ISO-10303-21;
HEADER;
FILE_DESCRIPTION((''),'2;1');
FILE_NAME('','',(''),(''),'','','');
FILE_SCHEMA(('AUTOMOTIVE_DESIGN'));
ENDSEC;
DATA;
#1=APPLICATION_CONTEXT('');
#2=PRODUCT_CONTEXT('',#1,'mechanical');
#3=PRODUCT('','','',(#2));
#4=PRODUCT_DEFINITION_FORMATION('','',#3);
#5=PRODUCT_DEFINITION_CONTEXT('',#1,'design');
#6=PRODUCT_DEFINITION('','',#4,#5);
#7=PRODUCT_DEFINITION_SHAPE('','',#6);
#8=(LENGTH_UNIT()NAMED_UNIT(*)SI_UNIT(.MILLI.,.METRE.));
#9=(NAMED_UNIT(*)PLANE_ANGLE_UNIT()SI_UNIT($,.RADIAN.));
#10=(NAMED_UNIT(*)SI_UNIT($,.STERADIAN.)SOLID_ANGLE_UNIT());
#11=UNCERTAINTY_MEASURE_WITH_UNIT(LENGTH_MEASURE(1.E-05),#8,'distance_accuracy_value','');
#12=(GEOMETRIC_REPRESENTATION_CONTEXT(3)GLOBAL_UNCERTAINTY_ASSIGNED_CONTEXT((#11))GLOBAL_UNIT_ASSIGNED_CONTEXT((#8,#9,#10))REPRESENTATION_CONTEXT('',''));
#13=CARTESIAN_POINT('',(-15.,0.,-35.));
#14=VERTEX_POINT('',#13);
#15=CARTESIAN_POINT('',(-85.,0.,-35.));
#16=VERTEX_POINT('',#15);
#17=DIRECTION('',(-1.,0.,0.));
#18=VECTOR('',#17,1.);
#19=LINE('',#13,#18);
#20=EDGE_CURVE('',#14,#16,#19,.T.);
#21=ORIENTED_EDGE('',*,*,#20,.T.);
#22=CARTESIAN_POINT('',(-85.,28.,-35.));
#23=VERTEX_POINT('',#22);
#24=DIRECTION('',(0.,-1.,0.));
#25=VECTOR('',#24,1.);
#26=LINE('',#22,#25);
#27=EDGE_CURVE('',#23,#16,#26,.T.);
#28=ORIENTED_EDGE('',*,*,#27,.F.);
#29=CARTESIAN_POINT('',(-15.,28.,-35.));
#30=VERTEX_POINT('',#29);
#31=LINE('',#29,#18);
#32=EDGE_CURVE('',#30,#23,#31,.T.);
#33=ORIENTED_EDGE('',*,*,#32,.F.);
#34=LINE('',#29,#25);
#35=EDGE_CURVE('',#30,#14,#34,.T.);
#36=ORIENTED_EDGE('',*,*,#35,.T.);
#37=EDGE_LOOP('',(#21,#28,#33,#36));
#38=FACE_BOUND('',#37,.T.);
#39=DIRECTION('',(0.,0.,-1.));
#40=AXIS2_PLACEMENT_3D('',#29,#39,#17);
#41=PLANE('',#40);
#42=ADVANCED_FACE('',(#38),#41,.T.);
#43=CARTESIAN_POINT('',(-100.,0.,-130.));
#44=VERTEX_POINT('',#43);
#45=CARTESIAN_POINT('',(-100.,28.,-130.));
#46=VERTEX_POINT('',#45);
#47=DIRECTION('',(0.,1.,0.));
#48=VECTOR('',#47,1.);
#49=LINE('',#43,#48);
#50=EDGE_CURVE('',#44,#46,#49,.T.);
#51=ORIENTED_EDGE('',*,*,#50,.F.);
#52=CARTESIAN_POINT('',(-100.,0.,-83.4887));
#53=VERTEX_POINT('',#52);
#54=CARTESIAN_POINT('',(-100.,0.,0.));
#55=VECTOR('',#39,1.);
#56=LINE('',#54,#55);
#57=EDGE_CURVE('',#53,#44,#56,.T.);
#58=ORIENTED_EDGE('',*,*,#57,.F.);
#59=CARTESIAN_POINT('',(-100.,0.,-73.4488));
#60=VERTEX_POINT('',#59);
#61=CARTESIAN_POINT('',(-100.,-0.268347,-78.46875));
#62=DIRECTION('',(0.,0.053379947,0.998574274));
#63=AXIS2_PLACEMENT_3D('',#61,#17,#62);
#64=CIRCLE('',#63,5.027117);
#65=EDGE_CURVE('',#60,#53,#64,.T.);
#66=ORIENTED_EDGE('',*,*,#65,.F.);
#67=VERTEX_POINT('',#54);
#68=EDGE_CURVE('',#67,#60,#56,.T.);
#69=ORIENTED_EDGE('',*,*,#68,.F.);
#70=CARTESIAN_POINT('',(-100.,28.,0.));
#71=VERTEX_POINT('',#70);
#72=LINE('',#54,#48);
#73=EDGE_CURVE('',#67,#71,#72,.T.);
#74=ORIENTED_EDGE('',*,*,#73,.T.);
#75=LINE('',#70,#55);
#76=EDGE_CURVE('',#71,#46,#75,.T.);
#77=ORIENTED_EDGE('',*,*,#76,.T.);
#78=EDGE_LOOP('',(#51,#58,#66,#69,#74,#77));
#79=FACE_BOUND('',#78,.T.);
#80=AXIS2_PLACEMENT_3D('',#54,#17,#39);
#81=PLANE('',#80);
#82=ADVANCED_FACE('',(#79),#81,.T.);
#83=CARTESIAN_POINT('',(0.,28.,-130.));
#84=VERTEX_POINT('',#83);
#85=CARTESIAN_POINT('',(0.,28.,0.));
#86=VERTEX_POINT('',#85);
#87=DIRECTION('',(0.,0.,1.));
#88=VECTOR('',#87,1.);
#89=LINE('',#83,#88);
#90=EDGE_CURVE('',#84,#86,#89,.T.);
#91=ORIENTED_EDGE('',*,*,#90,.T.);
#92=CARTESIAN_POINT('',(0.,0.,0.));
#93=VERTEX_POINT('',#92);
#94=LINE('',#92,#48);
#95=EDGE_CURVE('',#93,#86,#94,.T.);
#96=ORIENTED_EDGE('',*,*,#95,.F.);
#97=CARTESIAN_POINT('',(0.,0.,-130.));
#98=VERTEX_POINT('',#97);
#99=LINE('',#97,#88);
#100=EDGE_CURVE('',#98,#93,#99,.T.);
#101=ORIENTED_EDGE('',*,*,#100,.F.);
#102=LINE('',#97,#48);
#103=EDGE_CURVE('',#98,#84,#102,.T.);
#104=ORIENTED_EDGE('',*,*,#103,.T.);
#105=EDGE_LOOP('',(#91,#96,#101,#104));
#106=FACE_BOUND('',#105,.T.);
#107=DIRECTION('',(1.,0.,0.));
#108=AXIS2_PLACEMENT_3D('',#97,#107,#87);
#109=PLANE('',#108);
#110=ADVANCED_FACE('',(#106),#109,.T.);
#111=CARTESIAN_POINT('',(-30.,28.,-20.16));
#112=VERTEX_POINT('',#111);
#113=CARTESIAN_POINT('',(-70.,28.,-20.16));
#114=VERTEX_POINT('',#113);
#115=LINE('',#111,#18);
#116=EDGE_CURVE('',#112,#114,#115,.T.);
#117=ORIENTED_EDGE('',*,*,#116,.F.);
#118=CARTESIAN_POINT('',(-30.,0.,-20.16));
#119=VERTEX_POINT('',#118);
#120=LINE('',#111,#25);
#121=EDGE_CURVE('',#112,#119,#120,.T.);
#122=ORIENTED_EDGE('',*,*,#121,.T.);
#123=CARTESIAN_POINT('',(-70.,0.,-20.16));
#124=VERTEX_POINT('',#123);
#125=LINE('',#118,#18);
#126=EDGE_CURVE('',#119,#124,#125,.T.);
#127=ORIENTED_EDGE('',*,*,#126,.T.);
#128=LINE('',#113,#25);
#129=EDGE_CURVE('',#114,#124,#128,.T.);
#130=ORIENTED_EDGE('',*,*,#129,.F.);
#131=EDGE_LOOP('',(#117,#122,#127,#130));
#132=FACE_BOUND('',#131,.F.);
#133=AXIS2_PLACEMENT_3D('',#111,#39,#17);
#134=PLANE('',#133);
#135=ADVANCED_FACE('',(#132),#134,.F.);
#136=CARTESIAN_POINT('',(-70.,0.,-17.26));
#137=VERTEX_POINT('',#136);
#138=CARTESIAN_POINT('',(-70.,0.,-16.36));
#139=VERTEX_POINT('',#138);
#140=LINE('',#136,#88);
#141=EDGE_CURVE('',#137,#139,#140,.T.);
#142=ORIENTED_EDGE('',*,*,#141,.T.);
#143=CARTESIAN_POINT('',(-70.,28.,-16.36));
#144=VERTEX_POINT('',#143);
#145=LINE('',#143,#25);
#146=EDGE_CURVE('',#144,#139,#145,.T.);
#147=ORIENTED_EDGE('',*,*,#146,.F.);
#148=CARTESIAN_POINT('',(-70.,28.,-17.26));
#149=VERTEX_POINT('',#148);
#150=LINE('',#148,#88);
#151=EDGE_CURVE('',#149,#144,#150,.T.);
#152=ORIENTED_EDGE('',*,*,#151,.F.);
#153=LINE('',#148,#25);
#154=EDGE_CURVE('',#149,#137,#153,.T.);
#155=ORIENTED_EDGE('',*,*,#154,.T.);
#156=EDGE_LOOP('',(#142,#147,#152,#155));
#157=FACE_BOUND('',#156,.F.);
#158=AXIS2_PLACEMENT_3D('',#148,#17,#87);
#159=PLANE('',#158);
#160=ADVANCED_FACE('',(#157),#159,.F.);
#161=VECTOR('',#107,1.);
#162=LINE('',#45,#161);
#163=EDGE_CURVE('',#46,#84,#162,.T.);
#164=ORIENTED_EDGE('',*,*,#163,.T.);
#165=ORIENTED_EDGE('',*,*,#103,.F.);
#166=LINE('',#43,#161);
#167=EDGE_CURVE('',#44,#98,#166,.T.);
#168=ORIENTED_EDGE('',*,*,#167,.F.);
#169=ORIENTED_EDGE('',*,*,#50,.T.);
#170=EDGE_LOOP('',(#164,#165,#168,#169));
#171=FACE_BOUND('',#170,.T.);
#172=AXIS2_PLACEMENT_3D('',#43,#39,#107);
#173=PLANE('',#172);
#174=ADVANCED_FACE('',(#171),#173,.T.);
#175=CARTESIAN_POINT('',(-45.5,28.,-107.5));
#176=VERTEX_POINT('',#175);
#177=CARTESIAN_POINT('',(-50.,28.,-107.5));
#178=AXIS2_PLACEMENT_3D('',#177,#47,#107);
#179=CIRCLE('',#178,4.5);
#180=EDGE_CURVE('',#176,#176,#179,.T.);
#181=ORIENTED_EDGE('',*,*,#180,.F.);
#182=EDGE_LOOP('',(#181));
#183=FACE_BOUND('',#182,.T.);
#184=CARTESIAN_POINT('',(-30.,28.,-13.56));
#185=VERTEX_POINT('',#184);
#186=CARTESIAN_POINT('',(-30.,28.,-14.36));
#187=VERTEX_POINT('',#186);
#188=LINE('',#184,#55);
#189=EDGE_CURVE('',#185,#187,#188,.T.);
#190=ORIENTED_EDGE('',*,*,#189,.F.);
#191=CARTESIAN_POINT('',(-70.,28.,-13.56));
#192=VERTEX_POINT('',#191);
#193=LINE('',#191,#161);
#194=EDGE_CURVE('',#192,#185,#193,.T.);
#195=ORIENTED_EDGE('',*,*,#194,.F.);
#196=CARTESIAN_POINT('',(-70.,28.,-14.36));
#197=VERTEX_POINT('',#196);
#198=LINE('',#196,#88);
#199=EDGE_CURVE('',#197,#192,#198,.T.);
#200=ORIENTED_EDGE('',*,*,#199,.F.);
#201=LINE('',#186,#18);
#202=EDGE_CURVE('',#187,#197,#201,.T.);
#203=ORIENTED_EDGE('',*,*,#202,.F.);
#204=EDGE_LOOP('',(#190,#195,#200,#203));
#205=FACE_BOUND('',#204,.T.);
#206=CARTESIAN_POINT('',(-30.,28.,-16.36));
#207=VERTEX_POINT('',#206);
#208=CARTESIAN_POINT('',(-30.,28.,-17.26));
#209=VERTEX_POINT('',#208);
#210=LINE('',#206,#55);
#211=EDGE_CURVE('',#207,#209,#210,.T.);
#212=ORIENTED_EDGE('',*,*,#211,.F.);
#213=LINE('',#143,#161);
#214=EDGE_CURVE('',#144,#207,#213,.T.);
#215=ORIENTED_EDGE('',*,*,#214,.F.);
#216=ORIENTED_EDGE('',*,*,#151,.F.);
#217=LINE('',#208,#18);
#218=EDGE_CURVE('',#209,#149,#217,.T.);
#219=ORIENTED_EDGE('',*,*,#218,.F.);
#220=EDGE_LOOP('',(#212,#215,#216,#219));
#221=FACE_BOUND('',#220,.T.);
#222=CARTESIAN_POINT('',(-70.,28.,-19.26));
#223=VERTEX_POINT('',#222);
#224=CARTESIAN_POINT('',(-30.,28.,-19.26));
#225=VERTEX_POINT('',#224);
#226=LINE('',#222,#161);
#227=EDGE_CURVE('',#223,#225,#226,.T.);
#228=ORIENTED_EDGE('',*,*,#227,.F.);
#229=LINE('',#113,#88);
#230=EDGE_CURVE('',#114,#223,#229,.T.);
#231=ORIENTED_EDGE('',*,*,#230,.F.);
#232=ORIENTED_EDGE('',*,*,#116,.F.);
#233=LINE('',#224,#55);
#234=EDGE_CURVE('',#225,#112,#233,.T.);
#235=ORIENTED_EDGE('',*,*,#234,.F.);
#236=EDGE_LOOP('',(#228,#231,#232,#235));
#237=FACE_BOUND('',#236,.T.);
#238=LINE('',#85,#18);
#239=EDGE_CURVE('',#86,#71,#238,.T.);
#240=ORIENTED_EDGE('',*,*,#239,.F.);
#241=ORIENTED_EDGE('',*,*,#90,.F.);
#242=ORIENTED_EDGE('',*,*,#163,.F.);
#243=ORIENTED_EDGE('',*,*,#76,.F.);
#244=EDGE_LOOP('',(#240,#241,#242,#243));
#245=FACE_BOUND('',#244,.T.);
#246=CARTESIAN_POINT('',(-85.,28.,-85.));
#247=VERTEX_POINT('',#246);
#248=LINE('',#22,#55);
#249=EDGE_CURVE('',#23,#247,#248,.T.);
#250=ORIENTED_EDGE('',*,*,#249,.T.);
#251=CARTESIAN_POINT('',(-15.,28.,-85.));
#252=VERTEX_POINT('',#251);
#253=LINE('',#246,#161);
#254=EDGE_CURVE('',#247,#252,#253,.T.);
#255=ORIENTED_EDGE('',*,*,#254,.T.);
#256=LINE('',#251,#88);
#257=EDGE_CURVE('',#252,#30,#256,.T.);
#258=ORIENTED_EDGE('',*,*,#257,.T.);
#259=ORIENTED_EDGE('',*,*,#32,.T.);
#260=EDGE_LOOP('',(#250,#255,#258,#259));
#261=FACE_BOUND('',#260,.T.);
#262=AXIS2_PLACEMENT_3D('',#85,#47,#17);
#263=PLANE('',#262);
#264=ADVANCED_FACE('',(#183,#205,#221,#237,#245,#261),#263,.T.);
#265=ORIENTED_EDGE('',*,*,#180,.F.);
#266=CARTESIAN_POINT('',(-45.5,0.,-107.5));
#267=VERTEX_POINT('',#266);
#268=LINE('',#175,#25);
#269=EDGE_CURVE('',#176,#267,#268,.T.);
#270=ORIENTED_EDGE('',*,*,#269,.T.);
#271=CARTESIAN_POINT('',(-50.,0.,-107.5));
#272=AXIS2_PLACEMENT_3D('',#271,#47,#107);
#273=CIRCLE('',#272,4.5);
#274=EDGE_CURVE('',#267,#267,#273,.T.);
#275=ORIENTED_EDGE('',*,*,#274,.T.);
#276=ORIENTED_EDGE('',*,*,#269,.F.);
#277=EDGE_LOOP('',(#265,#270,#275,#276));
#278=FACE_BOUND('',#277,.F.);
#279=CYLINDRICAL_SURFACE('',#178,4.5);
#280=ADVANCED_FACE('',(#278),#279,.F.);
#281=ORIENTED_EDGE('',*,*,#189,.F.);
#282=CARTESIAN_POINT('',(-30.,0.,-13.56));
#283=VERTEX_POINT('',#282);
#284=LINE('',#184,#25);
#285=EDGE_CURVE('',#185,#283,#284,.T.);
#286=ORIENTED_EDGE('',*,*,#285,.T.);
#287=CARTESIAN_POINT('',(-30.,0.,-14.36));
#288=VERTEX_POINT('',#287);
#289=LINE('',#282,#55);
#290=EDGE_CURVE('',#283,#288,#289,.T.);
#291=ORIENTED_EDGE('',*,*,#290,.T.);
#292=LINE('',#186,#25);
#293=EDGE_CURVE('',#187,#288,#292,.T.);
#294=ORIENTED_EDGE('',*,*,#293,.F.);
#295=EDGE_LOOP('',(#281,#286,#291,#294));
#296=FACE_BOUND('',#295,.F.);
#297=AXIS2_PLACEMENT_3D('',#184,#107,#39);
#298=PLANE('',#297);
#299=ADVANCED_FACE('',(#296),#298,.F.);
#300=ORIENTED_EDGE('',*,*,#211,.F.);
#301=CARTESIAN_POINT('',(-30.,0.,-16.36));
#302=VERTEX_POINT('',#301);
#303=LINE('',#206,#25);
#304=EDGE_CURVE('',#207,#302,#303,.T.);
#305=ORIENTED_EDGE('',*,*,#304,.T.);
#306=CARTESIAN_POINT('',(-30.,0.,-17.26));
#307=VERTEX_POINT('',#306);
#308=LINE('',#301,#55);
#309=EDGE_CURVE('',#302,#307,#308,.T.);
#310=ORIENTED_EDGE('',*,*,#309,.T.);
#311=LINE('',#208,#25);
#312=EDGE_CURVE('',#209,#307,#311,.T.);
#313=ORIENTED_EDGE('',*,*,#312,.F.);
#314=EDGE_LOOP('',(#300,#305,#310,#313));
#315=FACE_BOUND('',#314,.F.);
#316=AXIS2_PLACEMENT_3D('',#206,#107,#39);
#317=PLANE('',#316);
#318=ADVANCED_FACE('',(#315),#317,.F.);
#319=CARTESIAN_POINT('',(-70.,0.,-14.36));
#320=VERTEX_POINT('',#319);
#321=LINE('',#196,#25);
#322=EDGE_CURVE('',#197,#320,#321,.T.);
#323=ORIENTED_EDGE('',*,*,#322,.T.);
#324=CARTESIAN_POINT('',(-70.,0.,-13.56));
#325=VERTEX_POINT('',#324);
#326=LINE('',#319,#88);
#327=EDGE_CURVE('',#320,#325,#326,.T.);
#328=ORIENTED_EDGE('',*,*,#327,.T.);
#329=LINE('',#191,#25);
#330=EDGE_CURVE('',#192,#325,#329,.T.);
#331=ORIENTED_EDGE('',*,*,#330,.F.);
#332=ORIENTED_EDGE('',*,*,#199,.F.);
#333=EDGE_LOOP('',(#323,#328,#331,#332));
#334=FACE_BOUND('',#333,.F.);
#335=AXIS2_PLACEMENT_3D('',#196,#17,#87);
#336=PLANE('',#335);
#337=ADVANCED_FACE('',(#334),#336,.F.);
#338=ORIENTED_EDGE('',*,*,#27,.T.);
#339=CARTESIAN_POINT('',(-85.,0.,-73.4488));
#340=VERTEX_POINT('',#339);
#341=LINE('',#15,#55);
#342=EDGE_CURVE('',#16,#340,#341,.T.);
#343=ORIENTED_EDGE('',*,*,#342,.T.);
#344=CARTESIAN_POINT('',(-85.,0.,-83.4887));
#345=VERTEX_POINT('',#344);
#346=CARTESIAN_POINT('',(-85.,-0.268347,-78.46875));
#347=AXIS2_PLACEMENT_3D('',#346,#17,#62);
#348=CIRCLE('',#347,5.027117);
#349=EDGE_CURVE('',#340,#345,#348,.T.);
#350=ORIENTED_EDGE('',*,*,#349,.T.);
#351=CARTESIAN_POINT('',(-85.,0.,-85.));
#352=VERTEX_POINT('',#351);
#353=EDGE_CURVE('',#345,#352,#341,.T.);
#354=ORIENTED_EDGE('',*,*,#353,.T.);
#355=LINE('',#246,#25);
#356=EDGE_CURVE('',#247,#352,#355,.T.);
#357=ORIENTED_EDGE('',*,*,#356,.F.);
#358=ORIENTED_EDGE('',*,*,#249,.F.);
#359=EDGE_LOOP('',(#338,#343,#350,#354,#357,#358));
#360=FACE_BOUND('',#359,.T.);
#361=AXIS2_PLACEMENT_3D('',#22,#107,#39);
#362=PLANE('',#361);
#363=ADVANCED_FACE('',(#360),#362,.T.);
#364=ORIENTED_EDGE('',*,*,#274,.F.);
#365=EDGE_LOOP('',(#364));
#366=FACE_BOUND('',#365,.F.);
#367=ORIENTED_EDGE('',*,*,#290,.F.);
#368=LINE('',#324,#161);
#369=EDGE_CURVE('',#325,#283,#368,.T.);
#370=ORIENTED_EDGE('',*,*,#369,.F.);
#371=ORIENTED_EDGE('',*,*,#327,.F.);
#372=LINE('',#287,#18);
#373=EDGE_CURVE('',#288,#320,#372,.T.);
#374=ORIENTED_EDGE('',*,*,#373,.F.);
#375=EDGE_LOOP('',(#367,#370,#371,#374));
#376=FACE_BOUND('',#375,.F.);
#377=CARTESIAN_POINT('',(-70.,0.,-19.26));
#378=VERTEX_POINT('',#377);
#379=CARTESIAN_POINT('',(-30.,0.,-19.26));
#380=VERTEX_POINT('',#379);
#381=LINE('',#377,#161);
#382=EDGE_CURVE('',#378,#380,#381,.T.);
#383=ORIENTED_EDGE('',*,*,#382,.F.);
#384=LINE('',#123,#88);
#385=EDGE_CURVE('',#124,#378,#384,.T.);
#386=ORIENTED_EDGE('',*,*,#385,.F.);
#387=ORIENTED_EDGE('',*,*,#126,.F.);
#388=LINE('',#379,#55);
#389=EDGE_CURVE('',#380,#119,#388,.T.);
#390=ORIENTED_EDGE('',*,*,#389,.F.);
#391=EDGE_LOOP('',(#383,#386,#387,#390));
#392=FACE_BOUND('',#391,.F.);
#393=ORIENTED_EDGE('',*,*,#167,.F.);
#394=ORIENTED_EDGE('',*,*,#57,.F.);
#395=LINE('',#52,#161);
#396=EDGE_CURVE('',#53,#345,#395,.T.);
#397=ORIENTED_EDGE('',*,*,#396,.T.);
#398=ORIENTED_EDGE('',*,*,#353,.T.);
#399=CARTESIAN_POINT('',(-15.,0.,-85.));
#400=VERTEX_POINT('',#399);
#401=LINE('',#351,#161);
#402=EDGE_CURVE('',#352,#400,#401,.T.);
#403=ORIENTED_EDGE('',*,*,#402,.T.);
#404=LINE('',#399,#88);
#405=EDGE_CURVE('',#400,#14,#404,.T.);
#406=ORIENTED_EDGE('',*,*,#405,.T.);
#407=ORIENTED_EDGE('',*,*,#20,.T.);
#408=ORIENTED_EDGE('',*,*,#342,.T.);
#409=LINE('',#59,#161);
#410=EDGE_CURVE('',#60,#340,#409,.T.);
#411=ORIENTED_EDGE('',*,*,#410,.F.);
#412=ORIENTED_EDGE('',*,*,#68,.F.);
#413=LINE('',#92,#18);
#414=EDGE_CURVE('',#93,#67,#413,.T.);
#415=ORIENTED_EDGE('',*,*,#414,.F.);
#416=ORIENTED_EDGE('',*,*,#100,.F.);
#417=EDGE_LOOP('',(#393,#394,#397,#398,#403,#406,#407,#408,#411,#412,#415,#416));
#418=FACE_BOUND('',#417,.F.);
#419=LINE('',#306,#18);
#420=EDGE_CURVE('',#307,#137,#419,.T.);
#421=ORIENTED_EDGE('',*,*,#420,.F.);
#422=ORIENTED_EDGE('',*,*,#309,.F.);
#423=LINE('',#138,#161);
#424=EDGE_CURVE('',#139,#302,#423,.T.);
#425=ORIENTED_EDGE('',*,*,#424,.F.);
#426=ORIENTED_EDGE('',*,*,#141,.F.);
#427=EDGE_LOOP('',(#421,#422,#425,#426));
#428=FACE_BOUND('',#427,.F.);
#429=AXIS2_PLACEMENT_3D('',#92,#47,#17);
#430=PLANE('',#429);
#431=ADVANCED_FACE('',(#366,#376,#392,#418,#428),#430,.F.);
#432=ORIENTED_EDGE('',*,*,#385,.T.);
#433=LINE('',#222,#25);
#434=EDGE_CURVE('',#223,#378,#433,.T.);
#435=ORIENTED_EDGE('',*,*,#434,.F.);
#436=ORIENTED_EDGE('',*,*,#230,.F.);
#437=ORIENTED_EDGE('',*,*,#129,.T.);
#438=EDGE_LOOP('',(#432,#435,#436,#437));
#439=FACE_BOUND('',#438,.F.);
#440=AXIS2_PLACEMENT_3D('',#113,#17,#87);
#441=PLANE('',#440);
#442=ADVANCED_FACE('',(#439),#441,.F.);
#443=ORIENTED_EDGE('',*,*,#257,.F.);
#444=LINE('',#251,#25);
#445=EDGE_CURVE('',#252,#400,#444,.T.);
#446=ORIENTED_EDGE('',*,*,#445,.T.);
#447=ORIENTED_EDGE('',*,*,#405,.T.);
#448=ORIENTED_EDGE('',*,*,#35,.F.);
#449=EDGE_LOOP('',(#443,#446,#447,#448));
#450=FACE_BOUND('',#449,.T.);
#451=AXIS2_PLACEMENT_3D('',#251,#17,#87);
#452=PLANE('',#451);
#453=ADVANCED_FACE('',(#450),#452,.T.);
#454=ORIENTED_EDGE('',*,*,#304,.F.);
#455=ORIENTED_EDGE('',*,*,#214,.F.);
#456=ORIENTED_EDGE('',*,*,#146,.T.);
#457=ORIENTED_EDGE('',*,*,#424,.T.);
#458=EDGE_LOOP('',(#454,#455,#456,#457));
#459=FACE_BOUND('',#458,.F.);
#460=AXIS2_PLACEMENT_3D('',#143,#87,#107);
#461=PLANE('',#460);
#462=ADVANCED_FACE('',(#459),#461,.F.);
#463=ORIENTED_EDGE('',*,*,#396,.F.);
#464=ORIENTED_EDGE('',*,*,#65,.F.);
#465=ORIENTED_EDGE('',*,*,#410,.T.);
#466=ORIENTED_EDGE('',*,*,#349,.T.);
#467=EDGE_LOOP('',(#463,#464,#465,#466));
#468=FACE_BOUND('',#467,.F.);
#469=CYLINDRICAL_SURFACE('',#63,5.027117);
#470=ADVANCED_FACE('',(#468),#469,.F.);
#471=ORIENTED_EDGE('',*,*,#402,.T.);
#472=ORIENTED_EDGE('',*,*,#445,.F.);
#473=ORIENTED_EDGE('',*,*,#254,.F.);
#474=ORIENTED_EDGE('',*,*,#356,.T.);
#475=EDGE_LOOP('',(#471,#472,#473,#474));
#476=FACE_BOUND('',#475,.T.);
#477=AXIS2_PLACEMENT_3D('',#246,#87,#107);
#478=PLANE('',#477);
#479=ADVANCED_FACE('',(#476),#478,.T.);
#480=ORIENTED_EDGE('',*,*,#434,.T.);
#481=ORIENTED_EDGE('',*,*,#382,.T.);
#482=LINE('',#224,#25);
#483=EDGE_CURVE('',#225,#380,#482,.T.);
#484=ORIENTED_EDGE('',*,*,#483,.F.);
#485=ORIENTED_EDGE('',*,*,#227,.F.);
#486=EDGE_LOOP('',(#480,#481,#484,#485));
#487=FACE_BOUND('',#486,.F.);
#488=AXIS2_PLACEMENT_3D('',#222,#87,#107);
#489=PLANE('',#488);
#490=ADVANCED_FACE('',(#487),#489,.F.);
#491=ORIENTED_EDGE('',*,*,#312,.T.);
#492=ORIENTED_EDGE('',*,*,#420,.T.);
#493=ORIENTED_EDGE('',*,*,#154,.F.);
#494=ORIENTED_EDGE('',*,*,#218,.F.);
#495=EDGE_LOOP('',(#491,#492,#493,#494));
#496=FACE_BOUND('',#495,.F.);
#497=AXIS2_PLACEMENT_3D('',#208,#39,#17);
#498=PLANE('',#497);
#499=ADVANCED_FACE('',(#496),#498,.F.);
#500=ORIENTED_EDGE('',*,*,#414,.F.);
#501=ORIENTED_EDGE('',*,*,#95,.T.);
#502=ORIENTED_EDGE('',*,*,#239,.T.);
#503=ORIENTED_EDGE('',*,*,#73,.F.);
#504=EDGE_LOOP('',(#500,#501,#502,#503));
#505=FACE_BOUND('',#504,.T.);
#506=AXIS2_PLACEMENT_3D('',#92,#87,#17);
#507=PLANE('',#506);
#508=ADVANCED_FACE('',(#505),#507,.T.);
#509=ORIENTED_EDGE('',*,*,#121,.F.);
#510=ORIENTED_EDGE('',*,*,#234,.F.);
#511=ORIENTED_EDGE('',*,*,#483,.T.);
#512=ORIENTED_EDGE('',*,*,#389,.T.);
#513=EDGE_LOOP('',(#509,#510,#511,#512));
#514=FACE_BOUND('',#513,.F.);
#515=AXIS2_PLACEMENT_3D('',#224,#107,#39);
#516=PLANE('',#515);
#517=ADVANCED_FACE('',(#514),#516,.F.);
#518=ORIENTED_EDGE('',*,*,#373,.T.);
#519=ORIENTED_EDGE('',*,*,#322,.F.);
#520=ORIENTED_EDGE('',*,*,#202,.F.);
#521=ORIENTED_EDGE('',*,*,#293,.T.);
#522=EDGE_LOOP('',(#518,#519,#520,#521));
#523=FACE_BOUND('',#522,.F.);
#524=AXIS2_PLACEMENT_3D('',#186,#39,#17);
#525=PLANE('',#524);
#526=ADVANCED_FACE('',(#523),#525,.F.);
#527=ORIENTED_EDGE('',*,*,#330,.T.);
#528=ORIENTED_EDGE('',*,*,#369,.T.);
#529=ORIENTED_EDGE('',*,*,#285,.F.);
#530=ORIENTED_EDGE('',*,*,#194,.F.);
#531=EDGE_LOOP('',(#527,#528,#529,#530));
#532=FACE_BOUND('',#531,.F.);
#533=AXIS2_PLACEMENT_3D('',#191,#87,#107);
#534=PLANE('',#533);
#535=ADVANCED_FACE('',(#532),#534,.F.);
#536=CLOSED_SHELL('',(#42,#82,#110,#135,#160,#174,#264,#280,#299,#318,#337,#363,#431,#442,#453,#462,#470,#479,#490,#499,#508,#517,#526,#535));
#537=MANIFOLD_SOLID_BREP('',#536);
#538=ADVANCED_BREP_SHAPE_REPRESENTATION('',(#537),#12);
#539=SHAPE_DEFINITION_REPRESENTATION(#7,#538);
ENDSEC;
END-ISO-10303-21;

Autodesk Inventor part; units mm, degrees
ref_plane "YZ Plane" through (0, 0, 0) normal (1, 0, 0) x (0, 1, 0)
ref_plane "XZ Plane" through (0, 0, 0) normal (0, 1, 0) x (-1, 0, 0)
ref_plane "XY Plane" through (0, 0, 0) normal (0, 0, 1) x (1, 0, 0)
sketch "Boceto1" plane through (0, 0, 0) normal (0, 1, 0) x (-1, 0, 0)
  line L0 (0, 0) -> (100, 0)
  line L1 (100, 0) -> (100, -130)
  line L2 (100, -130) -> (0, -130)
  line L3 (0, -130) -> (0, 0)
  dimension "d0" = 100
  dimension "d1" = 130
extrude "Extrusión1" add sketch "Boceto1" along normal blind 28
sketch "Boceto2" plane through (0, 28, 0) normal (0, 1, 0) x (1, 0, 0)
  line L0 (-70, 13.56) -> (-30, 13.56)
  line L1 (-30, 13.56) -> (-30, 14.36)
  line L2 (-30, 14.36) -> (-70, 14.36)
  line L3 (-70, 14.36) -> (-70, 13.56)
  line L4 (-100, 0) -> (0, 0) projected
  line L5 (0, 0) -> (0, 130) projected
  line L6 (-70, 16.36) -> (-30, 16.36)
  line L7 (-30, 16.36) -> (-30, 17.26)
  line L8 (-30, 17.26) -> (-70, 17.26)
  line L9 (-70, 17.26) -> (-70, 16.36)
  line L10 (-70, 19.26) -> (-30, 19.26)
  line L11 (-30, 19.26) -> (-30, 20.16)
  line L12 (-30, 20.16) -> (-70, 20.16)
  line L13 (-70, 20.16) -> (-70, 19.26)
  line L14 (-85, 85) -> (-15, 85)
  line L15 (-15, 85) -> (-15, 35)
  line L16 (-15, 35) -> (-85, 35)
  line L17 (-85, 35) -> (-85, 85)
  line L18 (-100, 130) -> (-100, 0) projected
  line L19 (0, 130) -> (-100, 130) projected
  circle A0 centre (-50, 107.5) radius 4.5
  dimension "d4" = 40
  dimension "d5" = 0.8
  dimension "d6" = 13.56
  dimension "d7" = 30
  dimension "d8" = 40
  dimension "d9" = 0.9
  dimension "d10" = 2
  dimension "d11" = 0
  dimension "d12" = 40
  dimension "d13" = 0.9
  dimension "d14" = 0
  dimension "d15" = 2
  dimension "d16" = 70
  dimension "d17" = 50
  dimension "d18" = 15
  dimension "d19" = 45
  dimension "d20" = 9
  dimension "d21" = 50
  dimension "d22" = 22.5
extrude "Extrusión2" cut sketch "Boceto2" against normal blind 28 contours L3 L2 L1 L0 | L9 L8 L7 L6 | L13 L12 L11 L10 | L14 L15 L16 L17 | A0
sketch "Boceto3" plane through (-100, 0, -130) normal (-1, 0, 0) x (0, 0, 1)
  line L0 (95, 0) -> (45, 0) projected
  arc A0 (56.5512, 0) -> (46.5113, 0) centre (51.5312, -0.2684) ccw
  point P0 (130, 0)
extrude "Extrusión3" cut sketch "Boceto3" against normal blind 15
equation "\"Radio_pliegue\" = Grosor"
equation "\"Anchura_desahogo_plegado\" = Grosor"
equation "\"Profundidad_desahogo_plegado\" = 0.5 * Grosor"
equation "\"Tamaño_destalonado\" = 4 * Grosor"
equation "\"Remanente_mínimo\" = 2 * Grosor"
equation "\"Radiodetransición\" = Radio_pliegue"
equation "\"Tamaño_de_radio_de_Jacobi\" = Radio_pliegue"
equation "\"TamañoSeparación\" = Grosor"
equation "\"Grosor\" = 0.5"
properties part number "carcasaV2"
